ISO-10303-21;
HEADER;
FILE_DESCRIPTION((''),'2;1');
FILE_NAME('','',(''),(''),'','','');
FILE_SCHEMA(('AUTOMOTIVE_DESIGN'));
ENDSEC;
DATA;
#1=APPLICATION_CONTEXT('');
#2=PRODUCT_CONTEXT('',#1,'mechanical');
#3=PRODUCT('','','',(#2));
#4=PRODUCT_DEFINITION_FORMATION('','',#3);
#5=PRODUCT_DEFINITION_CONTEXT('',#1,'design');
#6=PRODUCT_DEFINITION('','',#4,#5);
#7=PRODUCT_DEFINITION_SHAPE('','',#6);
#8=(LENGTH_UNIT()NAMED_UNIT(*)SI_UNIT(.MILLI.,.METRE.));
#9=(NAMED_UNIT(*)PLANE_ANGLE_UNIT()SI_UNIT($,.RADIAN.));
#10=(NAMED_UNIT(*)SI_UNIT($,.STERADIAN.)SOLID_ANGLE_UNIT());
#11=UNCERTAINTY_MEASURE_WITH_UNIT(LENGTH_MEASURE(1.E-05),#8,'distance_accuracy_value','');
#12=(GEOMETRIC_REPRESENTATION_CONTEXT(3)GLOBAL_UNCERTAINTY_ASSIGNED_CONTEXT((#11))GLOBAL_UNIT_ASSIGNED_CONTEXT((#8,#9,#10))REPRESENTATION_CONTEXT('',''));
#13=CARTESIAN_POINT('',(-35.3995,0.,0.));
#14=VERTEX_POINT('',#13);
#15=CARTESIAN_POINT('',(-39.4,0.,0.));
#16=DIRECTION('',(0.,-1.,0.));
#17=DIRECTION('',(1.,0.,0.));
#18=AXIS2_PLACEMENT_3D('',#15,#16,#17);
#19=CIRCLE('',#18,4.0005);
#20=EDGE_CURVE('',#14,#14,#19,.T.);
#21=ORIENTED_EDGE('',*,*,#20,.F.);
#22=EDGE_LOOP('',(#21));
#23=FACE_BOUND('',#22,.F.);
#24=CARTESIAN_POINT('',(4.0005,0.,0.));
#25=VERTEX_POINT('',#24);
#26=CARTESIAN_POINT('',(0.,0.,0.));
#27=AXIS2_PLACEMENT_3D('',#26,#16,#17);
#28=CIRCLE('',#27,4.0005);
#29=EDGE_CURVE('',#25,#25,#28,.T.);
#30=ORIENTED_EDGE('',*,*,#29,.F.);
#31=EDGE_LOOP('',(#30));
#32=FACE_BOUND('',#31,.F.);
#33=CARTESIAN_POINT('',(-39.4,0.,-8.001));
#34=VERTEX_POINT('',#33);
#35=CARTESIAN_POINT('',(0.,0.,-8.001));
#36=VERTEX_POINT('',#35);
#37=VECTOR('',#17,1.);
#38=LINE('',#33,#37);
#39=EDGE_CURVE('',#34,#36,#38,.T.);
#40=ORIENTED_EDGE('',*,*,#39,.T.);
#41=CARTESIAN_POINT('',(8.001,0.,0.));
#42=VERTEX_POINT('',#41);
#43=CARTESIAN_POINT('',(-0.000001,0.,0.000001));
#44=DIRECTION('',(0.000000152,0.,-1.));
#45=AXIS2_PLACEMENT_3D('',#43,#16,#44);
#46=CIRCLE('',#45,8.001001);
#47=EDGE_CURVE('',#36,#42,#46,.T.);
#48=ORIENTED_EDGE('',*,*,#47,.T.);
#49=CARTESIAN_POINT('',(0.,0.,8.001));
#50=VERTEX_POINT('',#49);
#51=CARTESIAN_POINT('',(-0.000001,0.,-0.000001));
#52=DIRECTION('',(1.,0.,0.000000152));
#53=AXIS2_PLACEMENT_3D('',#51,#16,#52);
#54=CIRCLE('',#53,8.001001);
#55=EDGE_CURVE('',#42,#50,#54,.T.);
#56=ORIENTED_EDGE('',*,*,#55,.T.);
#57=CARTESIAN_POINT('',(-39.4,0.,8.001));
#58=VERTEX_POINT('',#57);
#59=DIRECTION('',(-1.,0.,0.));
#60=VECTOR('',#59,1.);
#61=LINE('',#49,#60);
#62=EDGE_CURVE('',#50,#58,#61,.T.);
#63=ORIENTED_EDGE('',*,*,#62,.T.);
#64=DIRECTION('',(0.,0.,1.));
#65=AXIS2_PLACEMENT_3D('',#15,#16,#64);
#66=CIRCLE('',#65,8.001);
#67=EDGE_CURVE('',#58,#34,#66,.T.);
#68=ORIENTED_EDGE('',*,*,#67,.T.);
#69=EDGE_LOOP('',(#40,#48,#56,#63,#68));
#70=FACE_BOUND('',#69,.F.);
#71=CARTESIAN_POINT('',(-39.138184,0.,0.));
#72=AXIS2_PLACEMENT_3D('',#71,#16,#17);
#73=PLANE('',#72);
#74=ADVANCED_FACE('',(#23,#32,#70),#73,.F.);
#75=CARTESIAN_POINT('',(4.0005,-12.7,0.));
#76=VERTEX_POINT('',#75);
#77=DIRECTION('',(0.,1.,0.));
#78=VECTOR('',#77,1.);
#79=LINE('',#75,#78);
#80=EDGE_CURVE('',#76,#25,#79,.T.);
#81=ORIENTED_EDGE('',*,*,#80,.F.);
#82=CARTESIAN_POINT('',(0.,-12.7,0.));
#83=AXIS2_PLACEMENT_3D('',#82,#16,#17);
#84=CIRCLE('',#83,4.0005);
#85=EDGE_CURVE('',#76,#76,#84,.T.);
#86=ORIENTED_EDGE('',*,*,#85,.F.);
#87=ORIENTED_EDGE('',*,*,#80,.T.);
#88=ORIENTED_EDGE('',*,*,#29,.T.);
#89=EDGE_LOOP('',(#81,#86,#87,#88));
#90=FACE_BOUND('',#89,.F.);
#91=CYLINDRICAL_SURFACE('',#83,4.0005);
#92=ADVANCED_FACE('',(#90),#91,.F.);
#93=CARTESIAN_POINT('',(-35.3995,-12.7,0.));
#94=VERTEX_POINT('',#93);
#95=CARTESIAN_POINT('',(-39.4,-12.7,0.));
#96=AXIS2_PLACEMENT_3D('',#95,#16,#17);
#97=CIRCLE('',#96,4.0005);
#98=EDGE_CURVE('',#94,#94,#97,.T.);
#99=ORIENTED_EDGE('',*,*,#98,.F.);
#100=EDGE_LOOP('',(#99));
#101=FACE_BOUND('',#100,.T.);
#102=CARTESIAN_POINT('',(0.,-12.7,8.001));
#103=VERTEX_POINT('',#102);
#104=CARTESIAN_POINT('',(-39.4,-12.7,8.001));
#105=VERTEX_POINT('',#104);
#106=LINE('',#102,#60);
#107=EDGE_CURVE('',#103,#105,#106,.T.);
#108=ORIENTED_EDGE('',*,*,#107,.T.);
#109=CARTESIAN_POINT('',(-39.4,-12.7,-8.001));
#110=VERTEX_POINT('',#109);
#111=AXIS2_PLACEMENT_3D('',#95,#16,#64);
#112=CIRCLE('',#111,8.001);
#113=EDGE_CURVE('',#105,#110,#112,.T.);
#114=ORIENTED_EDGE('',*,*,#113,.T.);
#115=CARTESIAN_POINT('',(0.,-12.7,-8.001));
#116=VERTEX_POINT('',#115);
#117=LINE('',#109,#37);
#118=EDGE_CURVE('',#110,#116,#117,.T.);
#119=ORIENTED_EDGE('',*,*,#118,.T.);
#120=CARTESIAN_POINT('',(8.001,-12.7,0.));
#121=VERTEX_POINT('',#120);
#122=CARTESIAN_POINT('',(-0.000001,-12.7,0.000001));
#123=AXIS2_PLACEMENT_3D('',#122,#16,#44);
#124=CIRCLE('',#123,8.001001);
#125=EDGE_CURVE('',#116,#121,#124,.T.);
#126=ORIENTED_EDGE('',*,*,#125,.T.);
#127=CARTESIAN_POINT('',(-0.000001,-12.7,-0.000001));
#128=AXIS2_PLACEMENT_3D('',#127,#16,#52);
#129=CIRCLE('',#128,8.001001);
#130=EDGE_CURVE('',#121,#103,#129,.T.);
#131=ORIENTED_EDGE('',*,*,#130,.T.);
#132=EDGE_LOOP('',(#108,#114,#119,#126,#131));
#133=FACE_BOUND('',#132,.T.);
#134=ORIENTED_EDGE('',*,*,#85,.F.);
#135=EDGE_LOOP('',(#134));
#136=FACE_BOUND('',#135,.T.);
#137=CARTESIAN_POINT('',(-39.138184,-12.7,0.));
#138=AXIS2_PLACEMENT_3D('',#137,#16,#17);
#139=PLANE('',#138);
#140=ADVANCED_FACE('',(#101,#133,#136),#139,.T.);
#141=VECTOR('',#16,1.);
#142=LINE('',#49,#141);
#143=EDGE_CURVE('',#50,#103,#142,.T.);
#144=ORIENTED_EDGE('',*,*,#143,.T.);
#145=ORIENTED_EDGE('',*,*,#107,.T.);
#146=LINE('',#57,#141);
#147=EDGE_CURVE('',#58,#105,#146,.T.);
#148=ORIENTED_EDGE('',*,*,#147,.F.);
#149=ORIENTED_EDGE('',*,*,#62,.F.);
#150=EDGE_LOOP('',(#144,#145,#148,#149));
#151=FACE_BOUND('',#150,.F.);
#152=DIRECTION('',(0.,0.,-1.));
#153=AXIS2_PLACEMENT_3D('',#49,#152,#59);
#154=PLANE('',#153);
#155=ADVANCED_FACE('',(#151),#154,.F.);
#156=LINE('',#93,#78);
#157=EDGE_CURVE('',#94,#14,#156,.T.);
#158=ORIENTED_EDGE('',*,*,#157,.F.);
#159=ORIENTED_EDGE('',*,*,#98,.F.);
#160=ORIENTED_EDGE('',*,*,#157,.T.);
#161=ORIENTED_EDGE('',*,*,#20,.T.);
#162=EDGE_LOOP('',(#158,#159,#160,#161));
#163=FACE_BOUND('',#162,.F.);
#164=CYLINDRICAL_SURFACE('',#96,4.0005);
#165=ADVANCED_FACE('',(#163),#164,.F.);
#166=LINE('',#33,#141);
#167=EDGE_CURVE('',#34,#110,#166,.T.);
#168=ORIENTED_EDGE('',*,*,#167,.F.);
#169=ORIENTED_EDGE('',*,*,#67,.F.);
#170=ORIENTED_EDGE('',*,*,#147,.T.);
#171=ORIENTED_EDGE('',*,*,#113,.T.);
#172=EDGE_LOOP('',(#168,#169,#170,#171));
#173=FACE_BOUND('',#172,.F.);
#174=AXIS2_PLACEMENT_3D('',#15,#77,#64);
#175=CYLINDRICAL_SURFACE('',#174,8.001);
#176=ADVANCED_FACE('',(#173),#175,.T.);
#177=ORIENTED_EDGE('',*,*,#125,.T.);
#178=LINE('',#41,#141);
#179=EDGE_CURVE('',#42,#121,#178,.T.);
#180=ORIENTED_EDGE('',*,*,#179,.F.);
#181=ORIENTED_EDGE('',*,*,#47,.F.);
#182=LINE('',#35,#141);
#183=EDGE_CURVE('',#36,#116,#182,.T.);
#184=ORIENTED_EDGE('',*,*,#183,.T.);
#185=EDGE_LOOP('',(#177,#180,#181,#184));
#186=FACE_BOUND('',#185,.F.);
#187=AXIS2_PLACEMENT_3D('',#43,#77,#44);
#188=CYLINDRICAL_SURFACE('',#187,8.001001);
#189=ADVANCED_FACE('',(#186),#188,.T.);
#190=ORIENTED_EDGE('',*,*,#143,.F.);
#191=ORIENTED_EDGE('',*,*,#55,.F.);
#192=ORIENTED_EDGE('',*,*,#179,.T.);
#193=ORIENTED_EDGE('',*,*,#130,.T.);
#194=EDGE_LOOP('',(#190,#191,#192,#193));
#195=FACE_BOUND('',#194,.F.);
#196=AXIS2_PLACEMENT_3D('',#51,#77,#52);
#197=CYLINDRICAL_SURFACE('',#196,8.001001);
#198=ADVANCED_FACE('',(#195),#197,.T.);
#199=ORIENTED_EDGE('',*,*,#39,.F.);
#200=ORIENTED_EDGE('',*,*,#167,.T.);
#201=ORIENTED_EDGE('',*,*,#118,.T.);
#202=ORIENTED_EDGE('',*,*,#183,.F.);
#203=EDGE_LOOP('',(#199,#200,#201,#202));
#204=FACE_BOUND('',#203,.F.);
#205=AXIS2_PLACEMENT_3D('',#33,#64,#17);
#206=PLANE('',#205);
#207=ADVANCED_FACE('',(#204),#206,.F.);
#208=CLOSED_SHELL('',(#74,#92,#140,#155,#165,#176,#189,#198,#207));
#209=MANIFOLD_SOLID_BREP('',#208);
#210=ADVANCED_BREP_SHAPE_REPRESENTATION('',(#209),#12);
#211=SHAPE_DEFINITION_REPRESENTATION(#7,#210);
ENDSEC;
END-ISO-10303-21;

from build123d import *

# Parameters (mm, degrees)
F1_DEPTH = 12.7
F2_R     = 4.0005
F3_DEPTH = 12.7


with BuildPart() as f1:
    # F0 (on Front) → F1 (new body)
    with BuildSketch(Plane.XZ):
        with BuildLine():
            ThreePointArc((-39.4, -8.001), (-33.742439, -5.657561), (-31.399, 0))
            ThreePointArc((-31.399, 0), (-33.742439, 5.657561), (-39.4, 8.001))
            ThreePointArc((-39.4, 8.001), (-47.401, 0), (-39.4, -8.001))
        make_face()
        with BuildLine():
            ThreePointArc((-39.4, 8.001), (-33.742439, 5.657561), (-31.399, 0))
            ThreePointArc((-31.399, 0), (-33.742439, -5.657561), (-39.4, -8.001))
            Line((-39.4, -8.001), (0, -8.001))
            ThreePointArc((0, -8.001), (-8.001, 0), (0, 8.001))
            Line((0, 8.001), (-39.4, 8.001))
        make_face()
        with BuildLine():
            ThreePointArc((8.001, 0), (5.657561, 5.657561), (0, 8.001))
            ThreePointArc((0, 8.001), (-8.001, 0), (0, -8.001))
            ThreePointArc((0, -8.001), (5.657561, -5.657561), (8.001, 0))
        make_face()
    extrude(amount=F1_DEPTH)

    # F2 (on face) → F3 (cut, through all)
    with BuildSketch(Plane.XZ.offset(12.7)):
        with Locations((-39.4, 0)):
            Circle(F2_R)
        Circle(F2_R)
    extrude(amount=-F3_DEPTH, mode=Mode.SUBTRACT)


solid = f1.part
